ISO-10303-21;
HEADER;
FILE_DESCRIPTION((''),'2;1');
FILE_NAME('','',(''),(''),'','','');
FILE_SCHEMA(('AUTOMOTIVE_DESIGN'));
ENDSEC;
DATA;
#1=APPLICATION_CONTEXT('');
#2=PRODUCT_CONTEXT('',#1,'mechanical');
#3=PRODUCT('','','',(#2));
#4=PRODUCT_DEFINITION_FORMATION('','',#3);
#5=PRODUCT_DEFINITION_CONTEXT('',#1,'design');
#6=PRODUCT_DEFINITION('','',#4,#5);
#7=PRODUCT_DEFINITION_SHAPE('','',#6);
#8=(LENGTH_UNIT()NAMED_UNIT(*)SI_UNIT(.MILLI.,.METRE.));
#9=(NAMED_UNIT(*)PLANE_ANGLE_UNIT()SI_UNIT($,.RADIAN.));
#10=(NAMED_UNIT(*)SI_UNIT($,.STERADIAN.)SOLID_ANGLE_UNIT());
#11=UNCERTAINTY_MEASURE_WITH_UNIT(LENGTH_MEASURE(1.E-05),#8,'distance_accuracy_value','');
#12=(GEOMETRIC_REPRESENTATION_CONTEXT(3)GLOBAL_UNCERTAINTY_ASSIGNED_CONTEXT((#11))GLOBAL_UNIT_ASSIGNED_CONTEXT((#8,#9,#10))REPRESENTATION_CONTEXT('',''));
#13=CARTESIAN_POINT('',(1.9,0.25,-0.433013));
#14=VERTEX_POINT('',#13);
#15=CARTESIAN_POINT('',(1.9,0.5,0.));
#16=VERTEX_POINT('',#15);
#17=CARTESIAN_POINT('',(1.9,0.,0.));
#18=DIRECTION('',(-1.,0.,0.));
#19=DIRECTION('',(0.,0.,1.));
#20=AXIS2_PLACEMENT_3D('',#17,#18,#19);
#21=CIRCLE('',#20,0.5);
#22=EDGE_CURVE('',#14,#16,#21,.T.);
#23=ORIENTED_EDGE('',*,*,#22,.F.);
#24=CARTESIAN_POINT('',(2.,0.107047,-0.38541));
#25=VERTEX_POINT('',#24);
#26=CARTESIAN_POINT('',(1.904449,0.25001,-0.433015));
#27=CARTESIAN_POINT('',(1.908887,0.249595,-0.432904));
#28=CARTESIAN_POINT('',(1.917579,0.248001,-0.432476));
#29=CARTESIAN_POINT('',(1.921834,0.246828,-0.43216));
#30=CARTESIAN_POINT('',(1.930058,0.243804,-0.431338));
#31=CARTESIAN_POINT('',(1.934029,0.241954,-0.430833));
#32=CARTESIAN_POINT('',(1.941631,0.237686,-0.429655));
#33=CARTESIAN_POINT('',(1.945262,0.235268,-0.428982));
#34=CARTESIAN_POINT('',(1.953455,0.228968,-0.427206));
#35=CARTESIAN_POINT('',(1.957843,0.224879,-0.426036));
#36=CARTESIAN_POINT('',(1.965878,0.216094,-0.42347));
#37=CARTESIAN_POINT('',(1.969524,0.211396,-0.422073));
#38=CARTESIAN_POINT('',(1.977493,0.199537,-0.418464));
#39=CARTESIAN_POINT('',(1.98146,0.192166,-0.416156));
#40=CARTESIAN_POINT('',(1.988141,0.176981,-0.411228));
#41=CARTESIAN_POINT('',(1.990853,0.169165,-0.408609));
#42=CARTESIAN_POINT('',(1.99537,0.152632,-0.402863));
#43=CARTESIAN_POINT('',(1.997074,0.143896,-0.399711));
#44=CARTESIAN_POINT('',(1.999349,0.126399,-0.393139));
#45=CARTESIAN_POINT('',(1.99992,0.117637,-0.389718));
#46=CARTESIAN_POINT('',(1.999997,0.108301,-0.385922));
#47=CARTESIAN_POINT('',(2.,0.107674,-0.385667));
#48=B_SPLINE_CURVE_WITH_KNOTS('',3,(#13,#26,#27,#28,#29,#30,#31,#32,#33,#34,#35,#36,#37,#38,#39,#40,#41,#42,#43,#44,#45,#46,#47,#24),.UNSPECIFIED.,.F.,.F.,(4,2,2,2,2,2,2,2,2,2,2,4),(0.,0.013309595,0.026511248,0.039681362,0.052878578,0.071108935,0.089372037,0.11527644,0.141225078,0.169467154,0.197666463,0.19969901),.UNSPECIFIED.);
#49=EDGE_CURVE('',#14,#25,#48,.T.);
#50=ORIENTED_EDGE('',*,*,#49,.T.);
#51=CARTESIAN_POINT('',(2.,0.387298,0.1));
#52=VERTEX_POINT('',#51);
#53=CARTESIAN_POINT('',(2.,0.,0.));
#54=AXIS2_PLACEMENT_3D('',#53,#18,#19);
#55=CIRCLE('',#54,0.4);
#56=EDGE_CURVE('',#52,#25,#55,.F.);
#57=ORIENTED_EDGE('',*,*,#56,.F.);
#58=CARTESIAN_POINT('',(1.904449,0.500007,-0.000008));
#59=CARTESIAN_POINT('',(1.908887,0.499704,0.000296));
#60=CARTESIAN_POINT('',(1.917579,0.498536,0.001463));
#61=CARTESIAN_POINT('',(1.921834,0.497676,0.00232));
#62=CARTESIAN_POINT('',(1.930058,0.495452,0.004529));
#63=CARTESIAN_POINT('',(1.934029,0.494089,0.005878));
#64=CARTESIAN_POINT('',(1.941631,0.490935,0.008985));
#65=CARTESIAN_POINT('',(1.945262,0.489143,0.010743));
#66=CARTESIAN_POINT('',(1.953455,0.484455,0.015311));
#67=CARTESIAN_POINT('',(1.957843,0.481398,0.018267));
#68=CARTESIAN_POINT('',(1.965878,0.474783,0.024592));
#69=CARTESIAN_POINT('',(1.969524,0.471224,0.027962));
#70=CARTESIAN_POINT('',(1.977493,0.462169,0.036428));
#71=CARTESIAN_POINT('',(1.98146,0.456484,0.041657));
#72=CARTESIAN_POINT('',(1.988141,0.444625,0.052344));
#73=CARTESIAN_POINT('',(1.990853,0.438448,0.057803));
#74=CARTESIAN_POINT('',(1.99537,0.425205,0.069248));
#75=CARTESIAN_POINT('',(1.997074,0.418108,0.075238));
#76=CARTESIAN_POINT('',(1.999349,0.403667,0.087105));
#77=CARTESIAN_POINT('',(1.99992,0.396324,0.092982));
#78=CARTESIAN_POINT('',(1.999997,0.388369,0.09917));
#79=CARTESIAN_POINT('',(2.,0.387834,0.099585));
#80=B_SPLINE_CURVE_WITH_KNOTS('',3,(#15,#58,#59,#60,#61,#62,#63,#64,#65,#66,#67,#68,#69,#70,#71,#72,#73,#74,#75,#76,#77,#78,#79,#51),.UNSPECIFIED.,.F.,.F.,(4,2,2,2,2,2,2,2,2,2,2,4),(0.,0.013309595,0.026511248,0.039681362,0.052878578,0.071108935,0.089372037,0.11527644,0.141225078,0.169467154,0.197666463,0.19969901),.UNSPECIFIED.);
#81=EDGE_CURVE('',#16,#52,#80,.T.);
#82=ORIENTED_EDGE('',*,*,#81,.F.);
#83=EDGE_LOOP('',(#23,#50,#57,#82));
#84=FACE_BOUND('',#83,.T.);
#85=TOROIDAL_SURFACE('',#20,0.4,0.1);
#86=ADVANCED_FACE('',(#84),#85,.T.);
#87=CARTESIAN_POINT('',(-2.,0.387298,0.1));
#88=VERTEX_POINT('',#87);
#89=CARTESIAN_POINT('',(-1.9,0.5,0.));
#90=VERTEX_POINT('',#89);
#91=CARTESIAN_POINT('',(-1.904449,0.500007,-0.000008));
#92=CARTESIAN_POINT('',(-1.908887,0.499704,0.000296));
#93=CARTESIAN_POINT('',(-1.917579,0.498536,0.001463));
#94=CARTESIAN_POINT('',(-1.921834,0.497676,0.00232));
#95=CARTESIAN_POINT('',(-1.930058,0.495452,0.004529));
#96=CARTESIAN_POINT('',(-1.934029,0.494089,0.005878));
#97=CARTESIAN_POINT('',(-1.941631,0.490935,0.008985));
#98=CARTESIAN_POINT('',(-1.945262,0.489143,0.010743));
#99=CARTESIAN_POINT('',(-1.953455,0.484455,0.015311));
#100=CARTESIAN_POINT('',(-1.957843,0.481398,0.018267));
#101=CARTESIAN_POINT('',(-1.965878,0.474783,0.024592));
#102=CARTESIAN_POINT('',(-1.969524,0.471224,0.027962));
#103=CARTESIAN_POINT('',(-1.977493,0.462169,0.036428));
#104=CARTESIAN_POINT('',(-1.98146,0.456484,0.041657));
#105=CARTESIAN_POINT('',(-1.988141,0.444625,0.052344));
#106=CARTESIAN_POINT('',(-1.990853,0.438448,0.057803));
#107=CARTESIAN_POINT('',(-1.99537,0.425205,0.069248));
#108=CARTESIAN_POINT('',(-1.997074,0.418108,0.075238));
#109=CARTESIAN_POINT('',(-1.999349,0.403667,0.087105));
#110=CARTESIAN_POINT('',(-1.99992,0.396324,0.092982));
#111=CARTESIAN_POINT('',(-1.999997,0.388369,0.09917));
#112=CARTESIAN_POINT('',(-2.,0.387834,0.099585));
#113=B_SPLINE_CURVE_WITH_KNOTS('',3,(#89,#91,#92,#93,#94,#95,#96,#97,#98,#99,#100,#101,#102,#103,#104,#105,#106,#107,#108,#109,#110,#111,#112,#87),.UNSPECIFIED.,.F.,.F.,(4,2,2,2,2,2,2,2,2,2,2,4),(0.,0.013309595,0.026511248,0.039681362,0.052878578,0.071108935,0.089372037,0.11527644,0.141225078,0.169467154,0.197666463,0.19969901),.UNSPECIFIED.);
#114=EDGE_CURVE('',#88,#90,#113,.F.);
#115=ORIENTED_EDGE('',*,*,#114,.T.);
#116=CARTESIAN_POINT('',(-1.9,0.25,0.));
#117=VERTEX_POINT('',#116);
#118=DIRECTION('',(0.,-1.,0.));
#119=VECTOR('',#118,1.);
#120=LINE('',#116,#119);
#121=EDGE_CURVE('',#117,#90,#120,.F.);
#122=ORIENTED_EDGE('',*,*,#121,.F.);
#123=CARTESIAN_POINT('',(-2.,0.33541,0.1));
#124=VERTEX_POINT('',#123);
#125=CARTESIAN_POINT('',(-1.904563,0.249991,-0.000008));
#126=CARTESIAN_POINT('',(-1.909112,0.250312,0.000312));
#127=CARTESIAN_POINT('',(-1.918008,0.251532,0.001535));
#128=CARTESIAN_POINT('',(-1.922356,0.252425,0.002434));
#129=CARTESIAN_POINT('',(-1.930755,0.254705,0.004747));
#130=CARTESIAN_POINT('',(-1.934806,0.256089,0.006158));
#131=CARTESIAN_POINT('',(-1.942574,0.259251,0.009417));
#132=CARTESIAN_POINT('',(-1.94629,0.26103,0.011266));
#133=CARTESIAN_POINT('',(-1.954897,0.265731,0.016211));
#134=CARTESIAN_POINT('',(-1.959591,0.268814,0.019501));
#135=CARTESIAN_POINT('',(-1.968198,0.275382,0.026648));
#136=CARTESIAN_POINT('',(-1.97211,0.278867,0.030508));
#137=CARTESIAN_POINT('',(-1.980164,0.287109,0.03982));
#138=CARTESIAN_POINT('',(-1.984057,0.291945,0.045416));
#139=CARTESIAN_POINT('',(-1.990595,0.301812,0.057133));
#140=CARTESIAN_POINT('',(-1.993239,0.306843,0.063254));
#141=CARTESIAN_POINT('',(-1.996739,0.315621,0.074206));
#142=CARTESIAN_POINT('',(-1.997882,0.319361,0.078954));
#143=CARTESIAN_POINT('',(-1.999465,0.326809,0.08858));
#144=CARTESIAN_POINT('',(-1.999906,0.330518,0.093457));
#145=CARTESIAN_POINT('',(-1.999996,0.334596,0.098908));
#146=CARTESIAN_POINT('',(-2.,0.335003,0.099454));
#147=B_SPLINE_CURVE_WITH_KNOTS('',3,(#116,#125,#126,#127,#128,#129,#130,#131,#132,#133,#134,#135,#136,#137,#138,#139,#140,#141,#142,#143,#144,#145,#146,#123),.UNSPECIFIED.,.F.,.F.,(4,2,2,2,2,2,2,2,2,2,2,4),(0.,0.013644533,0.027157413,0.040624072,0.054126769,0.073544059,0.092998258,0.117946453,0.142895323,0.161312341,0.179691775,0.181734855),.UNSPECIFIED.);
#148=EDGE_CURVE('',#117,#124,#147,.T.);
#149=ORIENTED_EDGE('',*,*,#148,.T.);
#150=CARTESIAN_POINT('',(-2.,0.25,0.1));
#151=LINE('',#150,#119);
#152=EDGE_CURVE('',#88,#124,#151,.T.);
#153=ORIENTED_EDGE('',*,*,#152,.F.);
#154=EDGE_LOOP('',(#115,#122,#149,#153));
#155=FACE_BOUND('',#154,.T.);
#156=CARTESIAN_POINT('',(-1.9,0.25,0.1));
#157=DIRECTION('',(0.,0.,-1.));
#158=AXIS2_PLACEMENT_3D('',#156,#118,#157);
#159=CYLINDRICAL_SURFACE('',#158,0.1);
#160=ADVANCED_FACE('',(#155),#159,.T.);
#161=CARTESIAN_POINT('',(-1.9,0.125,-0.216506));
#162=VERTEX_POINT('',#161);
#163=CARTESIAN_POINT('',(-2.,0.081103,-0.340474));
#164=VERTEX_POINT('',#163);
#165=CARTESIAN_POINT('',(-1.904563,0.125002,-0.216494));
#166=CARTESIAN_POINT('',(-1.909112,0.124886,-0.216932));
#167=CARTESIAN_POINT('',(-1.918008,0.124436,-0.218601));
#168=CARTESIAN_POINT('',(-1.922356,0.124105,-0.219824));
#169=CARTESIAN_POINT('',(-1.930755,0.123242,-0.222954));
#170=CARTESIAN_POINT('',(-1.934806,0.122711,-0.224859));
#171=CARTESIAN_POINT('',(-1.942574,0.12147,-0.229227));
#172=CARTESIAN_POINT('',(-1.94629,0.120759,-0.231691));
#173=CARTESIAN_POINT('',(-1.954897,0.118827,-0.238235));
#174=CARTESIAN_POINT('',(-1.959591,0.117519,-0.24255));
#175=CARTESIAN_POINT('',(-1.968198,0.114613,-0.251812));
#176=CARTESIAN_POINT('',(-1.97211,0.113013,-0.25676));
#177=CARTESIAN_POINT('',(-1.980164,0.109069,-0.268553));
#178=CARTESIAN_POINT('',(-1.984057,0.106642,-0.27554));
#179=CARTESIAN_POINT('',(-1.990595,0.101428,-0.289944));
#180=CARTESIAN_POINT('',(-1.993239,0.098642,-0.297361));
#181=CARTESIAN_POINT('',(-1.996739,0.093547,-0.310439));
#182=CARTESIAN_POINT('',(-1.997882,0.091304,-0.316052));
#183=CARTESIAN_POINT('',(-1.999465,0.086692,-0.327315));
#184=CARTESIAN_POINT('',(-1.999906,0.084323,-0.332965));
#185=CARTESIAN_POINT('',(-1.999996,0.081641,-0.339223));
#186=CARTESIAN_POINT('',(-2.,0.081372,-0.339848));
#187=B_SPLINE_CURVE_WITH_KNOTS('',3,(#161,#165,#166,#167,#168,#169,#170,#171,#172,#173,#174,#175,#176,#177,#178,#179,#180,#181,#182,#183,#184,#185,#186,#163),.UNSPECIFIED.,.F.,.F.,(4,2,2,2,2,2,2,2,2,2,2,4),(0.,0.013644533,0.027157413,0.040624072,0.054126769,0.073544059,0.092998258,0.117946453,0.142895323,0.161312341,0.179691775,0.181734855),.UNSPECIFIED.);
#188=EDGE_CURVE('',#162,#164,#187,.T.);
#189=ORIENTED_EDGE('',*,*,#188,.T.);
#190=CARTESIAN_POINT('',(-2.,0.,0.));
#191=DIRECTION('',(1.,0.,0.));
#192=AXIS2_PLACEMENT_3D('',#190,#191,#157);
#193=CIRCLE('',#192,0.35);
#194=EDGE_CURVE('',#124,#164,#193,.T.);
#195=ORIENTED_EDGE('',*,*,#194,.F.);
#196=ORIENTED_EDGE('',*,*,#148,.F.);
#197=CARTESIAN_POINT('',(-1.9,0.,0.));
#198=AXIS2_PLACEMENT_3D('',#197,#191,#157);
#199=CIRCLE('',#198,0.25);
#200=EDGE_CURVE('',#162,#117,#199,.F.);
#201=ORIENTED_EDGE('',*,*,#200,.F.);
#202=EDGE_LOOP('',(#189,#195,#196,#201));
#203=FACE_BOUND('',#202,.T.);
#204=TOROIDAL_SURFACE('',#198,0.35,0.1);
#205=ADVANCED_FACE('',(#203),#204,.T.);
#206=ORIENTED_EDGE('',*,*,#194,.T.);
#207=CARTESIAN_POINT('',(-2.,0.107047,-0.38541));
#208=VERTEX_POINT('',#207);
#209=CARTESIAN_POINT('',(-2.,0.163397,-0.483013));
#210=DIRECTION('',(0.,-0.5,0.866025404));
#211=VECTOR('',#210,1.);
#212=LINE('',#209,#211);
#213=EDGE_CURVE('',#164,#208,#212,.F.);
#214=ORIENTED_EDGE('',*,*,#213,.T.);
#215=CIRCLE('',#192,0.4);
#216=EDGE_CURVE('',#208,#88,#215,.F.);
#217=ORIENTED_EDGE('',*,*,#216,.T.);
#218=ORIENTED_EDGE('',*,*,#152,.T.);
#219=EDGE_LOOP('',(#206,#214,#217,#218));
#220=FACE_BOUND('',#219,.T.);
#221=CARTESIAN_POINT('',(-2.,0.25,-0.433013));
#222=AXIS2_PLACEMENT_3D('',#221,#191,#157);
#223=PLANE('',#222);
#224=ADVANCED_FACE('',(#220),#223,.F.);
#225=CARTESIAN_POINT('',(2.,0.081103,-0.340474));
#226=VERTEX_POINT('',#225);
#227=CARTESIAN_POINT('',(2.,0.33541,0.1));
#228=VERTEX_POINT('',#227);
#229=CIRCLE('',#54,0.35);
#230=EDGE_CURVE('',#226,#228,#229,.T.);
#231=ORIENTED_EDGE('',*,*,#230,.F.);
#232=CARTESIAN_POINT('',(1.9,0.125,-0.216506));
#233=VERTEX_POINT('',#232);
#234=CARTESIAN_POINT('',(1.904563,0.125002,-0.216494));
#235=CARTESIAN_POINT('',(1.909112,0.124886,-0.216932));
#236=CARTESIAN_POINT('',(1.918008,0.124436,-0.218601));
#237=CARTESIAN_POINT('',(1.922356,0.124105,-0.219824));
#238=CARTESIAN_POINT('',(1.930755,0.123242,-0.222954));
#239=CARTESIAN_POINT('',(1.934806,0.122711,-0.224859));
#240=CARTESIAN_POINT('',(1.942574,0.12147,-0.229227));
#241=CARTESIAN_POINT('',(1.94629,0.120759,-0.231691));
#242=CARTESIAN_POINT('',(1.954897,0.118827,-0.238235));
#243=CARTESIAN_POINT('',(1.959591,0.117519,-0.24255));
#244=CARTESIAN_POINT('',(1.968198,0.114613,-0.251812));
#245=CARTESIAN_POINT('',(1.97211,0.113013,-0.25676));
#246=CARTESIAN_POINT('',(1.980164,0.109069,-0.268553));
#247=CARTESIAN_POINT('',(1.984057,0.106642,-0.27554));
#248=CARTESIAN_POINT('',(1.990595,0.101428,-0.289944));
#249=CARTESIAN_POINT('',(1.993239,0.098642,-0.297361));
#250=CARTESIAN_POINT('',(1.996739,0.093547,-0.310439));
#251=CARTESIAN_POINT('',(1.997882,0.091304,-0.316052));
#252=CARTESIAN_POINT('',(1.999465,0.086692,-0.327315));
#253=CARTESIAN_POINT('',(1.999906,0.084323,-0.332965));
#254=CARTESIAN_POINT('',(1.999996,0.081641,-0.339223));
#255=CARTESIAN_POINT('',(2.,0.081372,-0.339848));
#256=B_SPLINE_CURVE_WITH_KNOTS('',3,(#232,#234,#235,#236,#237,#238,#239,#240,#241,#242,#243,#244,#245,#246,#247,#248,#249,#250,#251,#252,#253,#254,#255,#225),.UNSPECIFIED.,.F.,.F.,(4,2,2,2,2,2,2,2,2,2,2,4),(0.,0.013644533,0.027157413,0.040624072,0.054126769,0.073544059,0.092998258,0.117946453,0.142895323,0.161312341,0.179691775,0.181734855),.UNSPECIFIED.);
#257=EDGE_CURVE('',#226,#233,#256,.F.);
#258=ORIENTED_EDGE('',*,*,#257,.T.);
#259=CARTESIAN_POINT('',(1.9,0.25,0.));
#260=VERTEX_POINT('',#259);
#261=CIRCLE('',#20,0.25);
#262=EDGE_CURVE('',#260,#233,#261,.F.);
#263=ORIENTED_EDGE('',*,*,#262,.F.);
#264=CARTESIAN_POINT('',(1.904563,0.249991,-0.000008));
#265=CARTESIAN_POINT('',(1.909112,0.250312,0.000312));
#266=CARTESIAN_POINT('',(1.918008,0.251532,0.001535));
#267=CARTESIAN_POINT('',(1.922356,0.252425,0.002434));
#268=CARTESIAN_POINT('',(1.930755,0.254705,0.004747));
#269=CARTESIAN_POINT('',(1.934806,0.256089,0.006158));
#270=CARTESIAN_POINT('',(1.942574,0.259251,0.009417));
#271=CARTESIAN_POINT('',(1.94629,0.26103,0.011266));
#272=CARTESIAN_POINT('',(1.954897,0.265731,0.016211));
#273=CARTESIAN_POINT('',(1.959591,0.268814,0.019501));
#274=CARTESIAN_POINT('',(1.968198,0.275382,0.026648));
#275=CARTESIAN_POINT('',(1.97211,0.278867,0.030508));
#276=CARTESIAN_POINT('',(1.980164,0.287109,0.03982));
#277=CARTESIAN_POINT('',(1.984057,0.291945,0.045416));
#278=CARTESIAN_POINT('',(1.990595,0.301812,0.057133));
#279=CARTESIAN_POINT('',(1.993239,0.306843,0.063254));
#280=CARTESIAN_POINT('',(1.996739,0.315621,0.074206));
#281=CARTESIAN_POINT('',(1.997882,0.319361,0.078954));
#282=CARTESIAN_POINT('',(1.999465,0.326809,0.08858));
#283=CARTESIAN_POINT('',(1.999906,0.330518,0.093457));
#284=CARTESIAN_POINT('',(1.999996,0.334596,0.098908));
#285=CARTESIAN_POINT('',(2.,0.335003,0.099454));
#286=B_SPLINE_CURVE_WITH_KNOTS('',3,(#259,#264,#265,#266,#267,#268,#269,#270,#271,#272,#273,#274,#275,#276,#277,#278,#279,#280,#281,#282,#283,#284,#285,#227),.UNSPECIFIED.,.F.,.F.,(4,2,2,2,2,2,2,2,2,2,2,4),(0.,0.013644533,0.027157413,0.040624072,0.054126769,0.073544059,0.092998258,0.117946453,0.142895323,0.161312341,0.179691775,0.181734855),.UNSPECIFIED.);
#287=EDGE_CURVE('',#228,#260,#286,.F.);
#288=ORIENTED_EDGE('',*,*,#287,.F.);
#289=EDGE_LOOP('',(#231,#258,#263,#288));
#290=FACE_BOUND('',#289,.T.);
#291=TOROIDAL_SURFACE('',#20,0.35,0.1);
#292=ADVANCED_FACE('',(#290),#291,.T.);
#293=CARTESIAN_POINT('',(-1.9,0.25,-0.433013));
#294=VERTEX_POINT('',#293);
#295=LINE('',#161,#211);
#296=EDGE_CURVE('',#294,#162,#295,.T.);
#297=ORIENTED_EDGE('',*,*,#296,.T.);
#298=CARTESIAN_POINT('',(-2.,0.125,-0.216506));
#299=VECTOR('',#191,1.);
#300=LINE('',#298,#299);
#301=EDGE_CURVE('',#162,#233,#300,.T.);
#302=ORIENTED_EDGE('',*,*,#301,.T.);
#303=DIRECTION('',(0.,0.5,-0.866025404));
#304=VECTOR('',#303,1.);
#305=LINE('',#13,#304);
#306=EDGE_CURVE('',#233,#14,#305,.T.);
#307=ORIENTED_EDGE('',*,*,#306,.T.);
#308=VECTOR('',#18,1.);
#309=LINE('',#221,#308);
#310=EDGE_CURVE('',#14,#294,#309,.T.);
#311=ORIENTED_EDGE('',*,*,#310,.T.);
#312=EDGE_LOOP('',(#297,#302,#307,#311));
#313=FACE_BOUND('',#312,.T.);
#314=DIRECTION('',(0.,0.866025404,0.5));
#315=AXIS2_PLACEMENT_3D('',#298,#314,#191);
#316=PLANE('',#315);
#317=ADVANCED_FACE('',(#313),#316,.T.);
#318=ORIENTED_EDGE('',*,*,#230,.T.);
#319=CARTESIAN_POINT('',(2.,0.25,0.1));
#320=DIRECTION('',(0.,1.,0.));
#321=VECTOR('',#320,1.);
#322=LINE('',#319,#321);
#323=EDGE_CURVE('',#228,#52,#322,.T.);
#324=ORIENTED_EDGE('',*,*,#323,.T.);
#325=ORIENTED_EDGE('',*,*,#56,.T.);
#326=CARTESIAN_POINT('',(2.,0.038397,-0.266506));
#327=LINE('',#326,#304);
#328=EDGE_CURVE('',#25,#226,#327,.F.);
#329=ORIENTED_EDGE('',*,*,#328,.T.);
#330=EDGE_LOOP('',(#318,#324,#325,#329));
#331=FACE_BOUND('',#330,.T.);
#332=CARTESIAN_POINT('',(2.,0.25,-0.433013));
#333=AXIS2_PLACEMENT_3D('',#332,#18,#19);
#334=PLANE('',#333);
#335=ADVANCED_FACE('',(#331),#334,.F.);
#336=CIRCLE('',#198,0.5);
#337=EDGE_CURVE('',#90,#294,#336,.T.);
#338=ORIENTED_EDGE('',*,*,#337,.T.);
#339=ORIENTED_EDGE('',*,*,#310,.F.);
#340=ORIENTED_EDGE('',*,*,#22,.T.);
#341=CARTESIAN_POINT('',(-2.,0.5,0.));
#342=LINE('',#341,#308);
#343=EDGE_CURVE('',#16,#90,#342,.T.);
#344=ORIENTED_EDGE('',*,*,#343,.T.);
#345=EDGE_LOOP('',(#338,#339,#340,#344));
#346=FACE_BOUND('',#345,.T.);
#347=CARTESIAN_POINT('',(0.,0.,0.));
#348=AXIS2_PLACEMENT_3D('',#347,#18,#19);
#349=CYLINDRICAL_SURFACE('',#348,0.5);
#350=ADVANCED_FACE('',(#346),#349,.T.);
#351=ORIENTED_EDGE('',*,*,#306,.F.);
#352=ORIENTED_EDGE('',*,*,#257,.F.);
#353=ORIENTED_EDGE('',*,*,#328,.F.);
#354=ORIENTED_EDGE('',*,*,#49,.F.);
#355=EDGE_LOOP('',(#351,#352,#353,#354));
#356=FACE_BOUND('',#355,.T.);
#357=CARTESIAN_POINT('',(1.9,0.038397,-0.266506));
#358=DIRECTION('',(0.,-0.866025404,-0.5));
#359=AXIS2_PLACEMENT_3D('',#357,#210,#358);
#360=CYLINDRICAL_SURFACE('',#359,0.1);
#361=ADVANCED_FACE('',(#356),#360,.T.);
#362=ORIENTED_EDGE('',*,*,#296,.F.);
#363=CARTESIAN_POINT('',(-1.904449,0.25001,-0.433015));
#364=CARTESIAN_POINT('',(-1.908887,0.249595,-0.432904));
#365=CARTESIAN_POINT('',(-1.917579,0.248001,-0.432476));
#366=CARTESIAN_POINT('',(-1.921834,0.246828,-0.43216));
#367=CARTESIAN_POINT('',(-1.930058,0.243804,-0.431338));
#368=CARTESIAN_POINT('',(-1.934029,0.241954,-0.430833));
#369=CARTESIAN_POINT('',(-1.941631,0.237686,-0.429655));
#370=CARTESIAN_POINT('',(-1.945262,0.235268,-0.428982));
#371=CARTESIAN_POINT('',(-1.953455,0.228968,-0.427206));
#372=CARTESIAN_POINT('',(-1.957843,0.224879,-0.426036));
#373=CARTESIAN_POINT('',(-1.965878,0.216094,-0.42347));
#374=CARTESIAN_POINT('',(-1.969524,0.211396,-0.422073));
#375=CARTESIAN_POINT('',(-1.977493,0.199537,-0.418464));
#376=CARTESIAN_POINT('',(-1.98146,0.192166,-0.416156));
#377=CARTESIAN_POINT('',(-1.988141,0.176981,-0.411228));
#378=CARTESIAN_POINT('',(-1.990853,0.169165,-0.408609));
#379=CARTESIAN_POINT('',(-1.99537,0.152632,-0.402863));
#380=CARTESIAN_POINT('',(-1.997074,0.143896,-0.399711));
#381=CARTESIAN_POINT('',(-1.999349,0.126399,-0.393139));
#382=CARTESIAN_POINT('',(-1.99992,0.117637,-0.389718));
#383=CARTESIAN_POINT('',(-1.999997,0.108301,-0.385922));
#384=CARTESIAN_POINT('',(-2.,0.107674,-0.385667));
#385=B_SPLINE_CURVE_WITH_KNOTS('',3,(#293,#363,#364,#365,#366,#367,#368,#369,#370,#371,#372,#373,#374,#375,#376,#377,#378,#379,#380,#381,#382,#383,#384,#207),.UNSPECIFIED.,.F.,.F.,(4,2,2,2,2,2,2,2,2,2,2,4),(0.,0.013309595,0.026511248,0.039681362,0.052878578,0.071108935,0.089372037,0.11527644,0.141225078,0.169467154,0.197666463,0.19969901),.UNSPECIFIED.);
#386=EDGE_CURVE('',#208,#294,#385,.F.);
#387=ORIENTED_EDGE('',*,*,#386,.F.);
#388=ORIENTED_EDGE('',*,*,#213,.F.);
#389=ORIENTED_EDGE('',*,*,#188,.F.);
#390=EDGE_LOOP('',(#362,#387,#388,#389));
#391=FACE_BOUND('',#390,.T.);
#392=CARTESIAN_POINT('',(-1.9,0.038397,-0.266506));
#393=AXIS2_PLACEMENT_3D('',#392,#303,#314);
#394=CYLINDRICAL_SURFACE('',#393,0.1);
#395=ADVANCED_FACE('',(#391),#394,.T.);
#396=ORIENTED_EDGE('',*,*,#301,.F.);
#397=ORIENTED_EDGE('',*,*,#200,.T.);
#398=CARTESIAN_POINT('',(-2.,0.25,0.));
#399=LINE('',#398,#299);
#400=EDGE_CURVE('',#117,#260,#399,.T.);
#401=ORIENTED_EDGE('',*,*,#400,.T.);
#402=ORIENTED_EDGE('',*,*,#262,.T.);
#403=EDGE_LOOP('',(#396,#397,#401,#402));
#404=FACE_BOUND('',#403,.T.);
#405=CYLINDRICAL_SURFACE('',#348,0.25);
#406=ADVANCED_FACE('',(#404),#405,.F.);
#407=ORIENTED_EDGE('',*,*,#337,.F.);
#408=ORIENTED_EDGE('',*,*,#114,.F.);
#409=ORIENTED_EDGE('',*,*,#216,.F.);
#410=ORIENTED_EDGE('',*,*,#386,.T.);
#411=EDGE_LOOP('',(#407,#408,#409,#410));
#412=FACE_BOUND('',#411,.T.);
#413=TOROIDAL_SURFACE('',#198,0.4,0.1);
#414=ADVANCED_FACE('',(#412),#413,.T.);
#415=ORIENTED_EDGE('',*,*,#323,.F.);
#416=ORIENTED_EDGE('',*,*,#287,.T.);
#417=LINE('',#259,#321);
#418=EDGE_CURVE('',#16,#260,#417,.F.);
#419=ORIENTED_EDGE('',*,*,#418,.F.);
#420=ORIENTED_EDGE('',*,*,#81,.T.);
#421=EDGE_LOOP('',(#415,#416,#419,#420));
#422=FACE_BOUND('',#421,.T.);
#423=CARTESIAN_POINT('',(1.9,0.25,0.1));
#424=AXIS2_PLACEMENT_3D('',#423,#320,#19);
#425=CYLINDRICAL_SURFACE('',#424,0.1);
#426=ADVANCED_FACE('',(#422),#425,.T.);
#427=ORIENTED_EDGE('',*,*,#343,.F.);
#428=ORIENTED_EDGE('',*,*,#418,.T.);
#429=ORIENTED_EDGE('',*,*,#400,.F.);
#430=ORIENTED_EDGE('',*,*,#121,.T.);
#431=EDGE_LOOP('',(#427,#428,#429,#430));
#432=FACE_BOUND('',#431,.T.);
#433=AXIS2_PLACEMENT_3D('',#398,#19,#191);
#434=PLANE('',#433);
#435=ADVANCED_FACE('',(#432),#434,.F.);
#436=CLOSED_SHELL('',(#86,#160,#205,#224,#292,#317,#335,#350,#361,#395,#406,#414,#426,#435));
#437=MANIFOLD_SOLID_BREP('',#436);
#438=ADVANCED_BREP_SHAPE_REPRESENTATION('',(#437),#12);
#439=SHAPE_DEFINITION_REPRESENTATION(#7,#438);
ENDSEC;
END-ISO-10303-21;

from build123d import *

# Parameters (mm, degrees)
SKETCH1_W      = 4
SKETCH1_H      = 0.25
REVOLVE1_ANGLE = 300
FILLET1_R      = 0.1


with BuildPart() as part:
    # Sketch1 → Revolve1 (revolve)
    with BuildSketch(Plane.XY):
        with Locations((0, 0.375)):
            Rectangle(SKETCH1_W, SKETCH1_H)
    revolve(axis=Axis((0, 0, 0), (1, 0, 0)), revolution_arc=REVOLVE1_ANGLE)

    # Fillet1
    fillet1_edges = [part.edges().sort_by_distance(p)[0] for p in [
        (2, 0.1875, -0.324759526),
        (-2, 0.375, 0),
        (-2, 0.1875, -0.324759526),
        (2, 0.375, 0),
        (-2, -0.433012702, 0.25),
        (2, -0.433012702, 0.25),
        (2, -0.216506351, 0.125),
        (-2, -0.216506351, 0.125),
    ]]
    fillet(fillet1_edges, radius=FILLET1_R)


solid = part.part
